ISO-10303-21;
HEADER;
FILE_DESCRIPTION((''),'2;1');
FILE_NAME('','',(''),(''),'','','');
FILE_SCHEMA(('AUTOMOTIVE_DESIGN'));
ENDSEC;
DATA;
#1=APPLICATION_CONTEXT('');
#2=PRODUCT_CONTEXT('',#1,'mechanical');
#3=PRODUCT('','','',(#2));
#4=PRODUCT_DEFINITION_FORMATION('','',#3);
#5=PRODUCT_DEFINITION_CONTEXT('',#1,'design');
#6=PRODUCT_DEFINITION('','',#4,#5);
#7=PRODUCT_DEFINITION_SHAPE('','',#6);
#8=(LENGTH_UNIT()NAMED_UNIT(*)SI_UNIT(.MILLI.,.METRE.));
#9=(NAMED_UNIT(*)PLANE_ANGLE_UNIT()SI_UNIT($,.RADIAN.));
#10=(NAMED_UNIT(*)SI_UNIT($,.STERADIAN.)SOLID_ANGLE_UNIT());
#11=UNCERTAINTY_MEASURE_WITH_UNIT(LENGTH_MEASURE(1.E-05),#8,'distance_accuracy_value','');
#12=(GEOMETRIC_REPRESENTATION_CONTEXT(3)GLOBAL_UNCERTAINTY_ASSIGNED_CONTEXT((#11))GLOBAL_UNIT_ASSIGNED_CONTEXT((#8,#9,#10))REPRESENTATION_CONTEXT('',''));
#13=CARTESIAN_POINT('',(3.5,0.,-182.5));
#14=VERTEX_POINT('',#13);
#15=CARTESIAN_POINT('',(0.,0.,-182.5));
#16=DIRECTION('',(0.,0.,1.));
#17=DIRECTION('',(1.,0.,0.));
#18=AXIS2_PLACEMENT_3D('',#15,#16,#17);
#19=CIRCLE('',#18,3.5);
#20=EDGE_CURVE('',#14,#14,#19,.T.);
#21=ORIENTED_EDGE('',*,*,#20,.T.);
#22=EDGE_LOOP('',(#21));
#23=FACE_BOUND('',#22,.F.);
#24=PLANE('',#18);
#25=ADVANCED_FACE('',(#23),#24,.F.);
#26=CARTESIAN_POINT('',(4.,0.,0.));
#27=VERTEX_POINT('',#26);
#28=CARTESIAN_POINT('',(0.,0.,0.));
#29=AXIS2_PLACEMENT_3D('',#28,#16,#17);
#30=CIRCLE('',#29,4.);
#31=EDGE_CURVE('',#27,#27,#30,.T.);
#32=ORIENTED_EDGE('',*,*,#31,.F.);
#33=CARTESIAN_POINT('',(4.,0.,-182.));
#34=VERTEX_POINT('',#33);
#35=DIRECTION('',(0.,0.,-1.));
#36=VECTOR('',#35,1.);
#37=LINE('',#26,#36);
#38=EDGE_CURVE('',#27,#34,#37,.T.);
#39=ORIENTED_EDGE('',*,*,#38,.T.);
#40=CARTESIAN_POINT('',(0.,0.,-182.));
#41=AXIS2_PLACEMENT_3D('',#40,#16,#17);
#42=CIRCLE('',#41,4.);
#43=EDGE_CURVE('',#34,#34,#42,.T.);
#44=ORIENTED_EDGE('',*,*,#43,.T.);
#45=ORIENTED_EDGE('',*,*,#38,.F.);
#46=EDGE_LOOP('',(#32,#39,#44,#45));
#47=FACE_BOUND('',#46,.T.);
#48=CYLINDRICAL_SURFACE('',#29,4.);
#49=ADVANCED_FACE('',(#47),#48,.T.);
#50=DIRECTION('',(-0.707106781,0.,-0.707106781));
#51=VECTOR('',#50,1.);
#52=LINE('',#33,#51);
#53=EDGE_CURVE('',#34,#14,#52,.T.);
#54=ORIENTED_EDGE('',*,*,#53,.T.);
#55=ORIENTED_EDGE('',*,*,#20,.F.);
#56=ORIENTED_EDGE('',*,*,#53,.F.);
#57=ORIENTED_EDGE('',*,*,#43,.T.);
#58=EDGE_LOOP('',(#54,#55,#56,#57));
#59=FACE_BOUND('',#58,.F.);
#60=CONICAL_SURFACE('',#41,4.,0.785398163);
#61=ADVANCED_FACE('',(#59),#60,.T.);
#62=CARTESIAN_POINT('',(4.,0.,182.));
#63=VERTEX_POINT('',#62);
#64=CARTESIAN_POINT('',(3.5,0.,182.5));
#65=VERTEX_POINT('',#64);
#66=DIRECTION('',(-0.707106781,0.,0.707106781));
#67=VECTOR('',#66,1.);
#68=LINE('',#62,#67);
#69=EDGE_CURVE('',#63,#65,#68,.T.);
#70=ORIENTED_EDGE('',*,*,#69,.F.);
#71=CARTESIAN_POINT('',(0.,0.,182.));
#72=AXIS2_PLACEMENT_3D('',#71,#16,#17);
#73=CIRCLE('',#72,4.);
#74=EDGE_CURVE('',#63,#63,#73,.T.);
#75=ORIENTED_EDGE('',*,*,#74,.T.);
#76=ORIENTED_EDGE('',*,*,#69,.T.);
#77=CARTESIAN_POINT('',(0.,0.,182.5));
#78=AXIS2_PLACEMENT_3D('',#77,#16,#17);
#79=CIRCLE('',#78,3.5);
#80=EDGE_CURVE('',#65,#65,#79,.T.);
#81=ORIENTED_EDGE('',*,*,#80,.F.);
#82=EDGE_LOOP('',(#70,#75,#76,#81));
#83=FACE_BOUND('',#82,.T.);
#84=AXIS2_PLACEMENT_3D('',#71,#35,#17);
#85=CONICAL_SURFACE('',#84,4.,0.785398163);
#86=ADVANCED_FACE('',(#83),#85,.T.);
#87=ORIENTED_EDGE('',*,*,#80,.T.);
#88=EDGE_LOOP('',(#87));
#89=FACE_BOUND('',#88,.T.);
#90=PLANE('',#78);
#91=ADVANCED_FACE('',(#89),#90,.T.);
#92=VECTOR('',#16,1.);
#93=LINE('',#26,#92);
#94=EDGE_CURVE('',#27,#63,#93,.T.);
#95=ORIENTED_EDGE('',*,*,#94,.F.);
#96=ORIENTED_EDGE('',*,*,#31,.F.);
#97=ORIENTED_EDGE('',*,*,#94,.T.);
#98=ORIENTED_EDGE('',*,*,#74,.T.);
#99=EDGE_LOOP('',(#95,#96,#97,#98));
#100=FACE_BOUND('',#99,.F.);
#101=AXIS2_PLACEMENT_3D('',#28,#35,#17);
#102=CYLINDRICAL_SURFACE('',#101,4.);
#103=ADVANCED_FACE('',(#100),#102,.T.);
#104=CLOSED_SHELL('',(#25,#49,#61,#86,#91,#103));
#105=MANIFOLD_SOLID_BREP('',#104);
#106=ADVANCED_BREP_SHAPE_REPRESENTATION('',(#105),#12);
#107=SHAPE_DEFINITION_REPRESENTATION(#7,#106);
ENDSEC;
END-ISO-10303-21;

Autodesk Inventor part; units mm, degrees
ref_plane "YZ Plane" through (0, 0, 0) normal (1, 0, 0) x (0, 1, 0)
ref_plane "XZ Plane" through (0, 0, 0) normal (0, 1, 0) x (-1, 0, 0)
ref_plane "XY Plane" through (0, 0, 0) normal (0, 0, 1) x (1, 0, 0)
sketch "Sketch1" plane through (0, 0, 0) normal (0, 0, 1) x (1, 0, 0)
  circle A0 centre (0, 0) radius 4
  dimension "d0" = 8
extrude "Extrusion1" add sketch "Sketch1" along normal mid plane 365
chamfer "Chamfer1" distance 0.5 angle 45 2 edges at (-4, 0, 182.5) (-4, 0, -182.5)
properties part number "Y-axis Power Transfer Shaft 360mm" material "Aluminum 6061"
